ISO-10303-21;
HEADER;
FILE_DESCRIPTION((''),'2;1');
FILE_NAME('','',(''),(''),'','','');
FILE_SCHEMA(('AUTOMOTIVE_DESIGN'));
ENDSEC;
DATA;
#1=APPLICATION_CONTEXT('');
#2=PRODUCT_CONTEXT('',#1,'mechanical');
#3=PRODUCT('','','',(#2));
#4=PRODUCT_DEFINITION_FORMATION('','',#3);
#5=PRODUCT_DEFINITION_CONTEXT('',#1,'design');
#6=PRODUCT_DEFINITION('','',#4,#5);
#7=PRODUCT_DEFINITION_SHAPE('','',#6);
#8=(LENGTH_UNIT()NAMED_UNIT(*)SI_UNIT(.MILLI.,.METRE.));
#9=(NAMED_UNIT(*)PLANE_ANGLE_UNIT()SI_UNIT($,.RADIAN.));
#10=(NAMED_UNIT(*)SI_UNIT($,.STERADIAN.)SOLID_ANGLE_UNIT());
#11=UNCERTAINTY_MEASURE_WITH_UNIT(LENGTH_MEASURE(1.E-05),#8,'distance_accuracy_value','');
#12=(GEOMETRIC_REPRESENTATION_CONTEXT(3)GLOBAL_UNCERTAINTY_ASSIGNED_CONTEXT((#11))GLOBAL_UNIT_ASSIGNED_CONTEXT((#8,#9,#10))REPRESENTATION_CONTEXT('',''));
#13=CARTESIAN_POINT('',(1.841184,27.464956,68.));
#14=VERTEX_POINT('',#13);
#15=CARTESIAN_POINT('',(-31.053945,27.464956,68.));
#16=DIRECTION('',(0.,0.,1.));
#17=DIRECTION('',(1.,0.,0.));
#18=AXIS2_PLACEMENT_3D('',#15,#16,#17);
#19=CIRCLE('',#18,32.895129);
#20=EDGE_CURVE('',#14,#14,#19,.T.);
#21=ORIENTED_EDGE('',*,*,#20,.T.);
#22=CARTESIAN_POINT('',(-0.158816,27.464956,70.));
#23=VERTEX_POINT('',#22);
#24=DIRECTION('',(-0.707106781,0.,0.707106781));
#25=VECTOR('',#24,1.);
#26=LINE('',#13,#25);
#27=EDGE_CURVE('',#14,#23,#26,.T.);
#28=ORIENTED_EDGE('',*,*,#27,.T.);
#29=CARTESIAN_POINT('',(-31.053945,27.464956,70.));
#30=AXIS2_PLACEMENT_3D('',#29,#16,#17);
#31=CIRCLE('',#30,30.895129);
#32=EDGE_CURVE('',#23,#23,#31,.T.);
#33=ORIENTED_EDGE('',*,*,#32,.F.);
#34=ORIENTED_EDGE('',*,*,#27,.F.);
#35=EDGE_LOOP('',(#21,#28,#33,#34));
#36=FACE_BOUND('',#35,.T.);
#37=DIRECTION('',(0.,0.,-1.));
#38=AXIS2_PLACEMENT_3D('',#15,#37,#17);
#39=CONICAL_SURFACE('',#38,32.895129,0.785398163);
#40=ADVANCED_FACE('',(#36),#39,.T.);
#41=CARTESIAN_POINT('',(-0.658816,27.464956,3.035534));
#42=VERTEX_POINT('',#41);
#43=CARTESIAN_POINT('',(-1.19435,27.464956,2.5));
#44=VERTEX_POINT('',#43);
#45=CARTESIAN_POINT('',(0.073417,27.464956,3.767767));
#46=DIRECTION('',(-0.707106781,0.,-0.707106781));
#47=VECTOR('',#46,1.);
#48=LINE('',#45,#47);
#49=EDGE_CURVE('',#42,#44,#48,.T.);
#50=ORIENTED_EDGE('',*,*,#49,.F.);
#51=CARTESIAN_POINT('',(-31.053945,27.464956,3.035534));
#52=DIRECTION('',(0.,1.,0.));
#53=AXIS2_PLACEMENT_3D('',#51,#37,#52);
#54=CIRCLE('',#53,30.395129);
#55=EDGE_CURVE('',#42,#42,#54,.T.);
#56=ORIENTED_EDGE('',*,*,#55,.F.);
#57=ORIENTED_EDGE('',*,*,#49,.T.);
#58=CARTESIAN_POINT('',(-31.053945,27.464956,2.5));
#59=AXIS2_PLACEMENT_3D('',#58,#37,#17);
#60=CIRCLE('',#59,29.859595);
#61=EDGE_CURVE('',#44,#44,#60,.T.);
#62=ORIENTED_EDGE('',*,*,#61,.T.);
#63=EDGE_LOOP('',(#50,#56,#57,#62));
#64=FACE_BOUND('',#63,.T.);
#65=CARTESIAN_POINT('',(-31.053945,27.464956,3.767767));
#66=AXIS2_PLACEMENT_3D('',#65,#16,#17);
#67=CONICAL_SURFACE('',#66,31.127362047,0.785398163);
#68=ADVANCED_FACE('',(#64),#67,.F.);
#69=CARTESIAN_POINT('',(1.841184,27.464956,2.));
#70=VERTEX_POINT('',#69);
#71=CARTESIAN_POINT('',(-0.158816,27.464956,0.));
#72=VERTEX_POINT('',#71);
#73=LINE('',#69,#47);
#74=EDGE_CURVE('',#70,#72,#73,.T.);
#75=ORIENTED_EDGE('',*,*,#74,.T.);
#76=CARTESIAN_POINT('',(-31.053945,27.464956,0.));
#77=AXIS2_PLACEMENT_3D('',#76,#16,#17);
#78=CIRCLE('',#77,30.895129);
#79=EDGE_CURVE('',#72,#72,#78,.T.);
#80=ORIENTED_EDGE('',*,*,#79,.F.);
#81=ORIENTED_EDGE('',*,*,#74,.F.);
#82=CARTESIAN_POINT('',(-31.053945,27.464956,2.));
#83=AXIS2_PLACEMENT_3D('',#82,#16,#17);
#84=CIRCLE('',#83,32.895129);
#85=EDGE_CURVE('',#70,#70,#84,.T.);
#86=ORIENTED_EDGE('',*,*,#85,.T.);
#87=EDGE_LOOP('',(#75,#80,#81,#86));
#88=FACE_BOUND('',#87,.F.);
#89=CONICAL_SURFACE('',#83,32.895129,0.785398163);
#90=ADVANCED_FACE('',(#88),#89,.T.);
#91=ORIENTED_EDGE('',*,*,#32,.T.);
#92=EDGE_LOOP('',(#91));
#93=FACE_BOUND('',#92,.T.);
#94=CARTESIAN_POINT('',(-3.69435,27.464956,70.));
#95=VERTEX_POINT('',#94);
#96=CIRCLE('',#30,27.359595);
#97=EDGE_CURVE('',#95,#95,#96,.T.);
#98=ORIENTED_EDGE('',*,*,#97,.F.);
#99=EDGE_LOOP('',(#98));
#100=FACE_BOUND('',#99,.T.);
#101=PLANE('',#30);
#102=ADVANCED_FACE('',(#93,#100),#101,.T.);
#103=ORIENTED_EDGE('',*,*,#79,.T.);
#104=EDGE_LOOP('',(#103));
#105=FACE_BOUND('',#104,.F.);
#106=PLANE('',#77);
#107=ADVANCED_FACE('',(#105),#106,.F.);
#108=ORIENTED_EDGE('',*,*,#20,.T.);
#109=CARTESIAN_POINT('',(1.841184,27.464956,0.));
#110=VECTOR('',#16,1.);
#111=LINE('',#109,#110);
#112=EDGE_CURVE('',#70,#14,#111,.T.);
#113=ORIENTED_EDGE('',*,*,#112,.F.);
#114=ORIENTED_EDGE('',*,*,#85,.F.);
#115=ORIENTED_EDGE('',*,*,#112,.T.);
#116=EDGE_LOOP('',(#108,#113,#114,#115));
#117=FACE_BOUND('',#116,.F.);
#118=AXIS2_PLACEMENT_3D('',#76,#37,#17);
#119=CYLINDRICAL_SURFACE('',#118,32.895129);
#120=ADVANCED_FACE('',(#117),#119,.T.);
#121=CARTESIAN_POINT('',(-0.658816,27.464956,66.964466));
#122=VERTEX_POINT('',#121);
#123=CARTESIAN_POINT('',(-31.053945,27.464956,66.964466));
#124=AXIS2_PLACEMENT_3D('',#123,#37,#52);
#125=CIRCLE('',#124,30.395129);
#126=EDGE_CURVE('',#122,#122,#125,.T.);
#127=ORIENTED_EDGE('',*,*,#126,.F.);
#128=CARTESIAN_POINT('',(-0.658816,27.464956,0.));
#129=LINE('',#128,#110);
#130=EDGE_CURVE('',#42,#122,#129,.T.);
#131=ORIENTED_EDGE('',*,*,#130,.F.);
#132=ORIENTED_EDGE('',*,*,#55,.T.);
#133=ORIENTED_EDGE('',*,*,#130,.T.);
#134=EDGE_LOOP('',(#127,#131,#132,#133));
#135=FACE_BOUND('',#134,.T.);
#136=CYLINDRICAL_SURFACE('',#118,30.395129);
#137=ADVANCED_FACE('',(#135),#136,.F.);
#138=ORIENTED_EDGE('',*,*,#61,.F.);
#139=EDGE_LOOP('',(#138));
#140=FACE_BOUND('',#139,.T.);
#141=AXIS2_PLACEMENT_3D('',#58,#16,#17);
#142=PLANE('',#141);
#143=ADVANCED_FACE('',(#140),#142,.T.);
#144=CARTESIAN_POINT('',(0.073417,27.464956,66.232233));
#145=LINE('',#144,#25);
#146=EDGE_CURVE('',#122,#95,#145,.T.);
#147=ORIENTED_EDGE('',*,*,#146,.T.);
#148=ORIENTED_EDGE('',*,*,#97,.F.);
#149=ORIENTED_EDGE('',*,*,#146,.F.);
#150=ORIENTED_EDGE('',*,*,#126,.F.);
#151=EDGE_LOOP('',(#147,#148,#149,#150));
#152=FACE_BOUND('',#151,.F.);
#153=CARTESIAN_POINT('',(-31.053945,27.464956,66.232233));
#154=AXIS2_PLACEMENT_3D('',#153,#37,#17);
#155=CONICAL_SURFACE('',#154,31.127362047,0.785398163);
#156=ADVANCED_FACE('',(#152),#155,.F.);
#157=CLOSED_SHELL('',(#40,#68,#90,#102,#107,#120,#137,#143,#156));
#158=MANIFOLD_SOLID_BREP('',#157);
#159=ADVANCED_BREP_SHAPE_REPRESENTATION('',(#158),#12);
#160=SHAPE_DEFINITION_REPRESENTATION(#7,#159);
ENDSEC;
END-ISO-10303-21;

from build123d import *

# Parameters (mm, degrees)
F0_R     = 32.895129
F1_DEPTH = 70
F2_SIZE  = 2
F3_SIZE  = 2
F4_T     = -2.5


with BuildPart() as f1:
    # F0 (on Top) → F1 (new body)
    with BuildSketch(Plane.XY):
        with Locations((-31.053945, 27.464956)):
            Circle(F0_R)
    extrude(amount=F1_DEPTH)

    # F2
    f2_edges = [f1.edges().sort_by_distance(p)[0] for p in [
        (-63.949075, 27.464956, 70),
    ]]
    chamfer(f2_edges, length=F2_SIZE)

    # F3
    f3_edges = [f1.edges().sort_by_distance(p)[0] for p in [
        (-63.949075, 27.464956, 0),
    ]]
    chamfer(f3_edges, length=F3_SIZE)

    # F4
    f4_openings = [f1.faces().sort_by_distance(p)[0] for p in [
        (-31.053945, 27.464956, 70),
    ]]
    offset(amount=F4_T, openings=f4_openings)


solid = f1.part
